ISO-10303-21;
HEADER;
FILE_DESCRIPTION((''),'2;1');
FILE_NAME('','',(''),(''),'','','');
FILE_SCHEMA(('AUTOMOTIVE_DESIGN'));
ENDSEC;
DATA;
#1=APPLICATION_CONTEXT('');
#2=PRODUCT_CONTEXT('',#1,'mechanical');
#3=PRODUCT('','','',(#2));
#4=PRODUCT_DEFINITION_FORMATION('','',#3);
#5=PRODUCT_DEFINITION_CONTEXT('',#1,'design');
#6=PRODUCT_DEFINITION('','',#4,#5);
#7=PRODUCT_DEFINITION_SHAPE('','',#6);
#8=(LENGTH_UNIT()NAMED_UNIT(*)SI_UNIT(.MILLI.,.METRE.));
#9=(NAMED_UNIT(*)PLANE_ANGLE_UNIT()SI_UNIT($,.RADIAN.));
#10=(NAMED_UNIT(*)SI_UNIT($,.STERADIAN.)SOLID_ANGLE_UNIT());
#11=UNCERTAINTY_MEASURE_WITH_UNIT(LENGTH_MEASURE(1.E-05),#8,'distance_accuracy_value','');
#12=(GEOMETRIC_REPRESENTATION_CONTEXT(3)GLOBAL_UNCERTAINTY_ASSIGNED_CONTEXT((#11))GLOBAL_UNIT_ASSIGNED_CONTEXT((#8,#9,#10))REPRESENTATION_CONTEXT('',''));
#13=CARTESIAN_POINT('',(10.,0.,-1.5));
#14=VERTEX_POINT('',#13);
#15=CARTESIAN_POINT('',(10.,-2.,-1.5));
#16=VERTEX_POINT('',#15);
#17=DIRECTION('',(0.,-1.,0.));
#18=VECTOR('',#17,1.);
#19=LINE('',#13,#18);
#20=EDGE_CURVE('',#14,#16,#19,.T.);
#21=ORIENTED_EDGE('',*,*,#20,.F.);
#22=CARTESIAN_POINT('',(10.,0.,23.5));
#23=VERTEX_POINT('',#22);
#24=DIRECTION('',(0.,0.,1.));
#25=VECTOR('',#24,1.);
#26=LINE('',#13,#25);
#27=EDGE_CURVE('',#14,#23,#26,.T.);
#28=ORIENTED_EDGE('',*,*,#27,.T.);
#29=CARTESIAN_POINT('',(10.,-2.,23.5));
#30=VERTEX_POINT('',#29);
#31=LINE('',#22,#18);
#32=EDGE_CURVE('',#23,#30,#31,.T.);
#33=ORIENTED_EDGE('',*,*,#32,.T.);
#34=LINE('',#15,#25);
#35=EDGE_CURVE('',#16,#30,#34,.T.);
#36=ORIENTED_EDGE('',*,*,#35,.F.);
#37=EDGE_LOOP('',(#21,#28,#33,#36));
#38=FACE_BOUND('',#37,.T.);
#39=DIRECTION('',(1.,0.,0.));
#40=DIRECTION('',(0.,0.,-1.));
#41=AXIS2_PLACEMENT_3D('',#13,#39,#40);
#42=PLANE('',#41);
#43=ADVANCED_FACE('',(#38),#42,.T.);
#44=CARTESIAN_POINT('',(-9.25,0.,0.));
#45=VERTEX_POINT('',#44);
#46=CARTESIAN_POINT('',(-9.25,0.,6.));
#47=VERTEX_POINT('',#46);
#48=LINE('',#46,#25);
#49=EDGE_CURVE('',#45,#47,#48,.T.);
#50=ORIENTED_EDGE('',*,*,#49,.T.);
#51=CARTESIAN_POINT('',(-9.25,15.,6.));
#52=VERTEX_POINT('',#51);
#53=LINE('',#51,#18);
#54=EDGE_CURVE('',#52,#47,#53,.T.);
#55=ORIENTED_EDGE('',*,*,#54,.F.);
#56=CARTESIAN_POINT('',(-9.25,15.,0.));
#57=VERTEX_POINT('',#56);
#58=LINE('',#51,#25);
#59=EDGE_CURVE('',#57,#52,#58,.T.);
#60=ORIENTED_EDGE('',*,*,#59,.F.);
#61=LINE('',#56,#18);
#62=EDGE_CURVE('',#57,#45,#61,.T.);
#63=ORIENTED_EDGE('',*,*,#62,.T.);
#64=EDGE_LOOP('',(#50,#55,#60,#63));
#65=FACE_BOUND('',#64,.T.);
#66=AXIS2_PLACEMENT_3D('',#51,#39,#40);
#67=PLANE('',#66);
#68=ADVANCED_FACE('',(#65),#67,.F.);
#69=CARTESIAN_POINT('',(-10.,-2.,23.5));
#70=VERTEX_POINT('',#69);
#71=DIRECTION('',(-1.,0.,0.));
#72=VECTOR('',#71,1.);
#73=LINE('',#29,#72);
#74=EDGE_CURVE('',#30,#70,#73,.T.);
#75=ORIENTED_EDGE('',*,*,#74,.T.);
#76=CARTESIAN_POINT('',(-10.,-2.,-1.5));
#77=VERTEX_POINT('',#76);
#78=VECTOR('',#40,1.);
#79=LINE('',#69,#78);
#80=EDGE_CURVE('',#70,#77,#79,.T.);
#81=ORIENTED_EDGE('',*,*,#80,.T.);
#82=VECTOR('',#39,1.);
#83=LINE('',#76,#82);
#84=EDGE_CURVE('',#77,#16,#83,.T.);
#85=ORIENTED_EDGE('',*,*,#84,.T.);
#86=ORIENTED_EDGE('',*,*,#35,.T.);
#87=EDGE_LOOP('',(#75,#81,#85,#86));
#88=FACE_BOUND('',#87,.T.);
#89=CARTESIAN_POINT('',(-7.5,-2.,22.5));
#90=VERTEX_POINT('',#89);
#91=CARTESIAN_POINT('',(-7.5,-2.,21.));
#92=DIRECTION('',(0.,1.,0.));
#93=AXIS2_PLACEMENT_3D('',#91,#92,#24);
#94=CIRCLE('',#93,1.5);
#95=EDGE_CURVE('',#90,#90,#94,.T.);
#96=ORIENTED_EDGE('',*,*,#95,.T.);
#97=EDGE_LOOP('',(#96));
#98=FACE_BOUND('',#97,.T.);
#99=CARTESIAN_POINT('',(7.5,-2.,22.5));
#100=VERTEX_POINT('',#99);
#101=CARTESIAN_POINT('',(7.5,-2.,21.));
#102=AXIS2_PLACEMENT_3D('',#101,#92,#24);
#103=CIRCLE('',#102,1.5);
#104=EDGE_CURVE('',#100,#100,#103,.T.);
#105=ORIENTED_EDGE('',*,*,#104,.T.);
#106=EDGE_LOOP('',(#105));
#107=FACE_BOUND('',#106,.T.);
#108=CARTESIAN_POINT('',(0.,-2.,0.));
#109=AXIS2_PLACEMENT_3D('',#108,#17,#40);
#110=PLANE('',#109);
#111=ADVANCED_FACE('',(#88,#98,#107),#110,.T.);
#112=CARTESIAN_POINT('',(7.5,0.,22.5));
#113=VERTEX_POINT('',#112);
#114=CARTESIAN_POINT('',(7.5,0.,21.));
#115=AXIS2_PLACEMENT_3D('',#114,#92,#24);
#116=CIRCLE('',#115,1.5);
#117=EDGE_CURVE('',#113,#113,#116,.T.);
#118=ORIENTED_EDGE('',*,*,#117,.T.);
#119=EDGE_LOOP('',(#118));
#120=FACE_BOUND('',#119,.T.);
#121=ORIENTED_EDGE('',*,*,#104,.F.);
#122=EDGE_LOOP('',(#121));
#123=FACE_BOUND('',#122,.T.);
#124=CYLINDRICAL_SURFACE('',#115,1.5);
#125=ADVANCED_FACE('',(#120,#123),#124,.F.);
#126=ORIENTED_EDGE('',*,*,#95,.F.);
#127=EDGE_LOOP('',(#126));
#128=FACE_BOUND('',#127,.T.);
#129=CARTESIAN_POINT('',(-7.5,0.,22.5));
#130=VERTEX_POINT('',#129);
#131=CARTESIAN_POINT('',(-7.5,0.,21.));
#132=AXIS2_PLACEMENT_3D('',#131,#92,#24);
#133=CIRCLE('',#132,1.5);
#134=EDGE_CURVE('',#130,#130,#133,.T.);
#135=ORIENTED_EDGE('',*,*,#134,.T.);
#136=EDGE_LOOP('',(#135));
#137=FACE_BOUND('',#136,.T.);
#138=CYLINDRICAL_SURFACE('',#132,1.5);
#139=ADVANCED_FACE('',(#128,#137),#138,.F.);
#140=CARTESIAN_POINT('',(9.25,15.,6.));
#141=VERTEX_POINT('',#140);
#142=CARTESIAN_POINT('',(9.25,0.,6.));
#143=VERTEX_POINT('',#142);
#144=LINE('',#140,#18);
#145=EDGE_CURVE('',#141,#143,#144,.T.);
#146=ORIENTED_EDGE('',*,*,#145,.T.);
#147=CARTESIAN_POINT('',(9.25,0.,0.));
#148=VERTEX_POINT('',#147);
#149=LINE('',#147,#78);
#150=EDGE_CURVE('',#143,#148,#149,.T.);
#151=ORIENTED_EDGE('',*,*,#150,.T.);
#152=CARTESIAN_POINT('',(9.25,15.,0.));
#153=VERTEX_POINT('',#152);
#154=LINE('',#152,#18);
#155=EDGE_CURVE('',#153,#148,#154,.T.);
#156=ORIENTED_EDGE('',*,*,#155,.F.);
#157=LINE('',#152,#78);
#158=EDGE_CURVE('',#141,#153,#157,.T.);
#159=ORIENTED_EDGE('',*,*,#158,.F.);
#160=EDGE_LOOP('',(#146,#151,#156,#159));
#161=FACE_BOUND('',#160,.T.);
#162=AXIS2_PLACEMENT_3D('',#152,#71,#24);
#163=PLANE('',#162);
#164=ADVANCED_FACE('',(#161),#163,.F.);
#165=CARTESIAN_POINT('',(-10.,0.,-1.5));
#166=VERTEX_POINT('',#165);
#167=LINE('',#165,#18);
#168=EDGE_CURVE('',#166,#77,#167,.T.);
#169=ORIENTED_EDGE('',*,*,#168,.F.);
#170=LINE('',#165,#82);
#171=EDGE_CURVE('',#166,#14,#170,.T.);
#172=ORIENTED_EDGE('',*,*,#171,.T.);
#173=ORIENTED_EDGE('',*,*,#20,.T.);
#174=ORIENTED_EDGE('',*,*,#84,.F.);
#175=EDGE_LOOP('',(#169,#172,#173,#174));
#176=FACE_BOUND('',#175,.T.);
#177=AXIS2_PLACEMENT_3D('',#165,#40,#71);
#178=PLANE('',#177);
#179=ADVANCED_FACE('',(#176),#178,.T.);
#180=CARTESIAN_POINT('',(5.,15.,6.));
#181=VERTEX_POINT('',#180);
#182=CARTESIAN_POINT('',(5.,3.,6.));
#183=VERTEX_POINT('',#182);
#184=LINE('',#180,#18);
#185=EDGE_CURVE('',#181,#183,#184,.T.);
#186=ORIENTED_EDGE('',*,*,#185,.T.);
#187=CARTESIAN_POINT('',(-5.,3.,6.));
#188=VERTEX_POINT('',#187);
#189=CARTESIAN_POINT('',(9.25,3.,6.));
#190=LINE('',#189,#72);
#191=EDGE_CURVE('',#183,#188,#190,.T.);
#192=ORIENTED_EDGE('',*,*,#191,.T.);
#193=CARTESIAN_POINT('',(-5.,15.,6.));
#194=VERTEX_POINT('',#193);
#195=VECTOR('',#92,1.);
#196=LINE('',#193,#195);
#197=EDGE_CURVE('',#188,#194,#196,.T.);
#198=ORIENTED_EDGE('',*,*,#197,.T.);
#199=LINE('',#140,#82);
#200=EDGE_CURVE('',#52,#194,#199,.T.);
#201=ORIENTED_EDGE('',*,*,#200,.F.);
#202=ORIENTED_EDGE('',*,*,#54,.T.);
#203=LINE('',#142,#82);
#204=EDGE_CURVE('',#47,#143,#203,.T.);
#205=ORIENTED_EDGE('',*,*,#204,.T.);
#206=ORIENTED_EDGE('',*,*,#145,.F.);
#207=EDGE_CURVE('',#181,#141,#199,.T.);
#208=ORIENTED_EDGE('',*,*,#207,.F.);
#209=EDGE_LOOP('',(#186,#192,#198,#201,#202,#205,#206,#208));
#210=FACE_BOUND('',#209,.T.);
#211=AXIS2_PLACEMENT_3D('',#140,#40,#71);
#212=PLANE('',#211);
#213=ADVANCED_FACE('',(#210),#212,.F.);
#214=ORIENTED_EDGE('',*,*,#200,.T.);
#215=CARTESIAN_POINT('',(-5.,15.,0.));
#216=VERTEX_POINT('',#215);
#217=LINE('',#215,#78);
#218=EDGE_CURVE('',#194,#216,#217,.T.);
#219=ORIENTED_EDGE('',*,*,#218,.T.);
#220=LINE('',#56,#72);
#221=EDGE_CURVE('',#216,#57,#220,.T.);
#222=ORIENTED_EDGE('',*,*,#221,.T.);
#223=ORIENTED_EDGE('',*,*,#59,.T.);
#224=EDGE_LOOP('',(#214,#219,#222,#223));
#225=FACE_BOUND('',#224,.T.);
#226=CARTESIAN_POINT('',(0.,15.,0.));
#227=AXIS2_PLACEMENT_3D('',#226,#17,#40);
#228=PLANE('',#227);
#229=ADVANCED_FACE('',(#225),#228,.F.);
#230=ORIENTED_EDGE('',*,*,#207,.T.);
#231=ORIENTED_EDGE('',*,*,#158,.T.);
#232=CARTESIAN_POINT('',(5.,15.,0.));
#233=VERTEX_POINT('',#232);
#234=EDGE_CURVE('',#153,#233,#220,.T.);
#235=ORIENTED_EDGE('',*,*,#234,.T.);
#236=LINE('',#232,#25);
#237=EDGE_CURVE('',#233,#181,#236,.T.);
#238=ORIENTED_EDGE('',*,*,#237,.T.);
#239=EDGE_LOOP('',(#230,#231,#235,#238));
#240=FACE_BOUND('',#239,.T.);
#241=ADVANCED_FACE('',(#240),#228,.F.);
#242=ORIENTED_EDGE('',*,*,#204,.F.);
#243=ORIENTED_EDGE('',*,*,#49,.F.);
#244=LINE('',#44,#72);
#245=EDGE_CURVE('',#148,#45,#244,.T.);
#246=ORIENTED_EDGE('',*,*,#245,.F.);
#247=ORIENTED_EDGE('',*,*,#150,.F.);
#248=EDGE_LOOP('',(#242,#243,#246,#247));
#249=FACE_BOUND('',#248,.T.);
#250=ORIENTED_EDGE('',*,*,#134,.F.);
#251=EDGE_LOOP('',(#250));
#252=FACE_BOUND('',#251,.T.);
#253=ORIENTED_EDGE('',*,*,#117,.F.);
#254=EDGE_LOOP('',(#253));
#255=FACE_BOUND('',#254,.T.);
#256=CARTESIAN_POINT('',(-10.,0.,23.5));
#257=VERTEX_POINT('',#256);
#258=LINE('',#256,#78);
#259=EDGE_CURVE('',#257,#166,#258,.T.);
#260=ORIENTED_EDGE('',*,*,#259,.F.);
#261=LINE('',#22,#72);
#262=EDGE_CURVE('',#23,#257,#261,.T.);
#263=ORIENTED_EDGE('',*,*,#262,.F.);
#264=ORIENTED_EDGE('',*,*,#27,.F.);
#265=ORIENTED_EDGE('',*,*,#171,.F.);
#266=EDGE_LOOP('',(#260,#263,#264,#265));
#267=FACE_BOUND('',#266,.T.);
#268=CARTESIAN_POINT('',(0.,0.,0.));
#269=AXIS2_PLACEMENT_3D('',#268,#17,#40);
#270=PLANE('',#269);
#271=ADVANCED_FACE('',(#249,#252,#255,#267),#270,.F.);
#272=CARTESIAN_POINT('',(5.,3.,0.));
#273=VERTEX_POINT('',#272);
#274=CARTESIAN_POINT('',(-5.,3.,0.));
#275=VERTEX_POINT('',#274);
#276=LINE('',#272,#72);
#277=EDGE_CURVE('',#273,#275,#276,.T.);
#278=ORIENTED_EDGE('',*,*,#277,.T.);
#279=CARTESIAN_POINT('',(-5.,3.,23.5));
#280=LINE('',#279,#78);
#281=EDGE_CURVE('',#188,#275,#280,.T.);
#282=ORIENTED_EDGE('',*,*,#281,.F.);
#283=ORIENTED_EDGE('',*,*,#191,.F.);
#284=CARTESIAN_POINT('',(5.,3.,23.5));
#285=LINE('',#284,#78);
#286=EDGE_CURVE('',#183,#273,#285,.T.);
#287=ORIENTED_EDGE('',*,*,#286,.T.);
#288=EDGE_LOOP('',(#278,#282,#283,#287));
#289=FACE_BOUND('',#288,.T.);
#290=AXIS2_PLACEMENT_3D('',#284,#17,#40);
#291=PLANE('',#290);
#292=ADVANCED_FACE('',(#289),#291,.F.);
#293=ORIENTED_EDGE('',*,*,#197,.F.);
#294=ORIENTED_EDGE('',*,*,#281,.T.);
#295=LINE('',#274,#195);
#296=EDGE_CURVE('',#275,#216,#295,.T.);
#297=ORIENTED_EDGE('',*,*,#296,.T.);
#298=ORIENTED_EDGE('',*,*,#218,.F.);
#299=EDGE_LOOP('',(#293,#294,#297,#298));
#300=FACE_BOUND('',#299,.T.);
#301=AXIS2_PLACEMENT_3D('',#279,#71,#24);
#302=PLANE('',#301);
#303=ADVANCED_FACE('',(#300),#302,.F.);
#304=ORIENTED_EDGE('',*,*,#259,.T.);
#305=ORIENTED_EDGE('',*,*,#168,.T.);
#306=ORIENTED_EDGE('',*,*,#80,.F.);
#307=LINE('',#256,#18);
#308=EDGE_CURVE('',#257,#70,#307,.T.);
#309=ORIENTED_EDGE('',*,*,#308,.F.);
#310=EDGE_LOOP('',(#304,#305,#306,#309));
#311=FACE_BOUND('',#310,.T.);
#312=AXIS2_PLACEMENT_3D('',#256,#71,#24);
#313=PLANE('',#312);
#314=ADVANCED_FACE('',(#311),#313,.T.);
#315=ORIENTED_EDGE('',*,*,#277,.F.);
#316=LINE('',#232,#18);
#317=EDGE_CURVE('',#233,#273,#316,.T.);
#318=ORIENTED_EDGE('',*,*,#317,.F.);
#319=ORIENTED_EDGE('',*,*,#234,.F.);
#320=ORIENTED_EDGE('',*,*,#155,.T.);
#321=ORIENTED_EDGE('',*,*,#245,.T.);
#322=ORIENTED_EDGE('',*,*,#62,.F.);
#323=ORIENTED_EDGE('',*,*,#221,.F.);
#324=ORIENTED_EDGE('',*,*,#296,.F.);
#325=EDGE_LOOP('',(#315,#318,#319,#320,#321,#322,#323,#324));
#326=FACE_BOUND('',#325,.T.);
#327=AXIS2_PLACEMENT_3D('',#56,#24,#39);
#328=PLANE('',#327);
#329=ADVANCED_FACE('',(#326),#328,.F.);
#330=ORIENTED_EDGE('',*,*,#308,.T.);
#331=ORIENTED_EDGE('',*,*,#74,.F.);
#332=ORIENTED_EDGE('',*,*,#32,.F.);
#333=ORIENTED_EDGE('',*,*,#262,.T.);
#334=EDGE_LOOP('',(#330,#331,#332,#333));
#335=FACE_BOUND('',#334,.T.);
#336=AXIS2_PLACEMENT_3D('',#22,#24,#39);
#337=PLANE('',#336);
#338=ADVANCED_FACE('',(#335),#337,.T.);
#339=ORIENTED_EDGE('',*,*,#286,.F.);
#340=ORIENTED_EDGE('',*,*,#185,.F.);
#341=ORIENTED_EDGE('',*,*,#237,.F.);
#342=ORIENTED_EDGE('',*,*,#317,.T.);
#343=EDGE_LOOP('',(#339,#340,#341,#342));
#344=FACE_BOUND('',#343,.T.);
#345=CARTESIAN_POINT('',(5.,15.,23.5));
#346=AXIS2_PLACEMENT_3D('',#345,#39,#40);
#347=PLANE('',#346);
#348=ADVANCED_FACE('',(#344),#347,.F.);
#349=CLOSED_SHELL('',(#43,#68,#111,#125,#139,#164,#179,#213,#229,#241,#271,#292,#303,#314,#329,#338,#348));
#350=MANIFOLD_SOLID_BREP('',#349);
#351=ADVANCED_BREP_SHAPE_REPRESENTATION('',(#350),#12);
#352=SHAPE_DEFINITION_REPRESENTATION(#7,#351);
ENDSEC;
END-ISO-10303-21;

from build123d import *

# Parameters (mm, degrees)
SKETCH_1_W            = 20
SKETCH_1_H            = 25
EXTRUDE_1_DEPTH       = 2
SKETCH_2_W            = 18.5
SKETCH_2_H            = 6
EXTRUDE_2_DEPTH       = 15
SKETCH_3_W            = 10
SKETCH_3_H            = 12
CUT_EXTRUDE_1_DEPTH   = 30.618406439
HOLE_WIZARD_3_0_3_1_D = 3


with BuildPart() as part:
    # 草圖1 → 填料-伸長1 (new body)
    with BuildSketch(Plane.XZ.offset(2)):
        with Locations((0, 11)):
            Rectangle(SKETCH_1_W, SKETCH_1_H)
    extrude(amount=-EXTRUDE_1_DEPTH)

    # 草圖2 → 填料-伸長2 (add)
    with BuildSketch(Plane(origin=(0, 0, 0), x_dir=(-1, 0, 0), z_dir=(0, 1, 0))):
        with Locations((0, 3)):
            Rectangle(SKETCH_2_W, SKETCH_2_H)
    extrude(amount=EXTRUDE_2_DEPTH)

    # 草圖3 → 除料-伸長1 (cut, through all)
    with BuildSketch(Plane(origin=(0, 0, 0), x_dir=(-1, 0, 0), z_dir=(0, 0, -1))):
        with Locations((0, 9)):
            Rectangle(SKETCH_3_W, SKETCH_3_H)
    extrude(amount=-CUT_EXTRUDE_1_DEPTH, mode=Mode.SUBTRACT)

    # Ø3.0 (3) 直徑孔1 (through all)
    with Locations(Plane(origin=(0, 0, 0), x_dir=(1, 0, 0), z_dir=(0, 1, 0))):
        with Locations((-7.5, -21), (7.5, -21)):
            Hole(HOLE_WIZARD_3_0_3_1_D / 2)


solid = part.part
